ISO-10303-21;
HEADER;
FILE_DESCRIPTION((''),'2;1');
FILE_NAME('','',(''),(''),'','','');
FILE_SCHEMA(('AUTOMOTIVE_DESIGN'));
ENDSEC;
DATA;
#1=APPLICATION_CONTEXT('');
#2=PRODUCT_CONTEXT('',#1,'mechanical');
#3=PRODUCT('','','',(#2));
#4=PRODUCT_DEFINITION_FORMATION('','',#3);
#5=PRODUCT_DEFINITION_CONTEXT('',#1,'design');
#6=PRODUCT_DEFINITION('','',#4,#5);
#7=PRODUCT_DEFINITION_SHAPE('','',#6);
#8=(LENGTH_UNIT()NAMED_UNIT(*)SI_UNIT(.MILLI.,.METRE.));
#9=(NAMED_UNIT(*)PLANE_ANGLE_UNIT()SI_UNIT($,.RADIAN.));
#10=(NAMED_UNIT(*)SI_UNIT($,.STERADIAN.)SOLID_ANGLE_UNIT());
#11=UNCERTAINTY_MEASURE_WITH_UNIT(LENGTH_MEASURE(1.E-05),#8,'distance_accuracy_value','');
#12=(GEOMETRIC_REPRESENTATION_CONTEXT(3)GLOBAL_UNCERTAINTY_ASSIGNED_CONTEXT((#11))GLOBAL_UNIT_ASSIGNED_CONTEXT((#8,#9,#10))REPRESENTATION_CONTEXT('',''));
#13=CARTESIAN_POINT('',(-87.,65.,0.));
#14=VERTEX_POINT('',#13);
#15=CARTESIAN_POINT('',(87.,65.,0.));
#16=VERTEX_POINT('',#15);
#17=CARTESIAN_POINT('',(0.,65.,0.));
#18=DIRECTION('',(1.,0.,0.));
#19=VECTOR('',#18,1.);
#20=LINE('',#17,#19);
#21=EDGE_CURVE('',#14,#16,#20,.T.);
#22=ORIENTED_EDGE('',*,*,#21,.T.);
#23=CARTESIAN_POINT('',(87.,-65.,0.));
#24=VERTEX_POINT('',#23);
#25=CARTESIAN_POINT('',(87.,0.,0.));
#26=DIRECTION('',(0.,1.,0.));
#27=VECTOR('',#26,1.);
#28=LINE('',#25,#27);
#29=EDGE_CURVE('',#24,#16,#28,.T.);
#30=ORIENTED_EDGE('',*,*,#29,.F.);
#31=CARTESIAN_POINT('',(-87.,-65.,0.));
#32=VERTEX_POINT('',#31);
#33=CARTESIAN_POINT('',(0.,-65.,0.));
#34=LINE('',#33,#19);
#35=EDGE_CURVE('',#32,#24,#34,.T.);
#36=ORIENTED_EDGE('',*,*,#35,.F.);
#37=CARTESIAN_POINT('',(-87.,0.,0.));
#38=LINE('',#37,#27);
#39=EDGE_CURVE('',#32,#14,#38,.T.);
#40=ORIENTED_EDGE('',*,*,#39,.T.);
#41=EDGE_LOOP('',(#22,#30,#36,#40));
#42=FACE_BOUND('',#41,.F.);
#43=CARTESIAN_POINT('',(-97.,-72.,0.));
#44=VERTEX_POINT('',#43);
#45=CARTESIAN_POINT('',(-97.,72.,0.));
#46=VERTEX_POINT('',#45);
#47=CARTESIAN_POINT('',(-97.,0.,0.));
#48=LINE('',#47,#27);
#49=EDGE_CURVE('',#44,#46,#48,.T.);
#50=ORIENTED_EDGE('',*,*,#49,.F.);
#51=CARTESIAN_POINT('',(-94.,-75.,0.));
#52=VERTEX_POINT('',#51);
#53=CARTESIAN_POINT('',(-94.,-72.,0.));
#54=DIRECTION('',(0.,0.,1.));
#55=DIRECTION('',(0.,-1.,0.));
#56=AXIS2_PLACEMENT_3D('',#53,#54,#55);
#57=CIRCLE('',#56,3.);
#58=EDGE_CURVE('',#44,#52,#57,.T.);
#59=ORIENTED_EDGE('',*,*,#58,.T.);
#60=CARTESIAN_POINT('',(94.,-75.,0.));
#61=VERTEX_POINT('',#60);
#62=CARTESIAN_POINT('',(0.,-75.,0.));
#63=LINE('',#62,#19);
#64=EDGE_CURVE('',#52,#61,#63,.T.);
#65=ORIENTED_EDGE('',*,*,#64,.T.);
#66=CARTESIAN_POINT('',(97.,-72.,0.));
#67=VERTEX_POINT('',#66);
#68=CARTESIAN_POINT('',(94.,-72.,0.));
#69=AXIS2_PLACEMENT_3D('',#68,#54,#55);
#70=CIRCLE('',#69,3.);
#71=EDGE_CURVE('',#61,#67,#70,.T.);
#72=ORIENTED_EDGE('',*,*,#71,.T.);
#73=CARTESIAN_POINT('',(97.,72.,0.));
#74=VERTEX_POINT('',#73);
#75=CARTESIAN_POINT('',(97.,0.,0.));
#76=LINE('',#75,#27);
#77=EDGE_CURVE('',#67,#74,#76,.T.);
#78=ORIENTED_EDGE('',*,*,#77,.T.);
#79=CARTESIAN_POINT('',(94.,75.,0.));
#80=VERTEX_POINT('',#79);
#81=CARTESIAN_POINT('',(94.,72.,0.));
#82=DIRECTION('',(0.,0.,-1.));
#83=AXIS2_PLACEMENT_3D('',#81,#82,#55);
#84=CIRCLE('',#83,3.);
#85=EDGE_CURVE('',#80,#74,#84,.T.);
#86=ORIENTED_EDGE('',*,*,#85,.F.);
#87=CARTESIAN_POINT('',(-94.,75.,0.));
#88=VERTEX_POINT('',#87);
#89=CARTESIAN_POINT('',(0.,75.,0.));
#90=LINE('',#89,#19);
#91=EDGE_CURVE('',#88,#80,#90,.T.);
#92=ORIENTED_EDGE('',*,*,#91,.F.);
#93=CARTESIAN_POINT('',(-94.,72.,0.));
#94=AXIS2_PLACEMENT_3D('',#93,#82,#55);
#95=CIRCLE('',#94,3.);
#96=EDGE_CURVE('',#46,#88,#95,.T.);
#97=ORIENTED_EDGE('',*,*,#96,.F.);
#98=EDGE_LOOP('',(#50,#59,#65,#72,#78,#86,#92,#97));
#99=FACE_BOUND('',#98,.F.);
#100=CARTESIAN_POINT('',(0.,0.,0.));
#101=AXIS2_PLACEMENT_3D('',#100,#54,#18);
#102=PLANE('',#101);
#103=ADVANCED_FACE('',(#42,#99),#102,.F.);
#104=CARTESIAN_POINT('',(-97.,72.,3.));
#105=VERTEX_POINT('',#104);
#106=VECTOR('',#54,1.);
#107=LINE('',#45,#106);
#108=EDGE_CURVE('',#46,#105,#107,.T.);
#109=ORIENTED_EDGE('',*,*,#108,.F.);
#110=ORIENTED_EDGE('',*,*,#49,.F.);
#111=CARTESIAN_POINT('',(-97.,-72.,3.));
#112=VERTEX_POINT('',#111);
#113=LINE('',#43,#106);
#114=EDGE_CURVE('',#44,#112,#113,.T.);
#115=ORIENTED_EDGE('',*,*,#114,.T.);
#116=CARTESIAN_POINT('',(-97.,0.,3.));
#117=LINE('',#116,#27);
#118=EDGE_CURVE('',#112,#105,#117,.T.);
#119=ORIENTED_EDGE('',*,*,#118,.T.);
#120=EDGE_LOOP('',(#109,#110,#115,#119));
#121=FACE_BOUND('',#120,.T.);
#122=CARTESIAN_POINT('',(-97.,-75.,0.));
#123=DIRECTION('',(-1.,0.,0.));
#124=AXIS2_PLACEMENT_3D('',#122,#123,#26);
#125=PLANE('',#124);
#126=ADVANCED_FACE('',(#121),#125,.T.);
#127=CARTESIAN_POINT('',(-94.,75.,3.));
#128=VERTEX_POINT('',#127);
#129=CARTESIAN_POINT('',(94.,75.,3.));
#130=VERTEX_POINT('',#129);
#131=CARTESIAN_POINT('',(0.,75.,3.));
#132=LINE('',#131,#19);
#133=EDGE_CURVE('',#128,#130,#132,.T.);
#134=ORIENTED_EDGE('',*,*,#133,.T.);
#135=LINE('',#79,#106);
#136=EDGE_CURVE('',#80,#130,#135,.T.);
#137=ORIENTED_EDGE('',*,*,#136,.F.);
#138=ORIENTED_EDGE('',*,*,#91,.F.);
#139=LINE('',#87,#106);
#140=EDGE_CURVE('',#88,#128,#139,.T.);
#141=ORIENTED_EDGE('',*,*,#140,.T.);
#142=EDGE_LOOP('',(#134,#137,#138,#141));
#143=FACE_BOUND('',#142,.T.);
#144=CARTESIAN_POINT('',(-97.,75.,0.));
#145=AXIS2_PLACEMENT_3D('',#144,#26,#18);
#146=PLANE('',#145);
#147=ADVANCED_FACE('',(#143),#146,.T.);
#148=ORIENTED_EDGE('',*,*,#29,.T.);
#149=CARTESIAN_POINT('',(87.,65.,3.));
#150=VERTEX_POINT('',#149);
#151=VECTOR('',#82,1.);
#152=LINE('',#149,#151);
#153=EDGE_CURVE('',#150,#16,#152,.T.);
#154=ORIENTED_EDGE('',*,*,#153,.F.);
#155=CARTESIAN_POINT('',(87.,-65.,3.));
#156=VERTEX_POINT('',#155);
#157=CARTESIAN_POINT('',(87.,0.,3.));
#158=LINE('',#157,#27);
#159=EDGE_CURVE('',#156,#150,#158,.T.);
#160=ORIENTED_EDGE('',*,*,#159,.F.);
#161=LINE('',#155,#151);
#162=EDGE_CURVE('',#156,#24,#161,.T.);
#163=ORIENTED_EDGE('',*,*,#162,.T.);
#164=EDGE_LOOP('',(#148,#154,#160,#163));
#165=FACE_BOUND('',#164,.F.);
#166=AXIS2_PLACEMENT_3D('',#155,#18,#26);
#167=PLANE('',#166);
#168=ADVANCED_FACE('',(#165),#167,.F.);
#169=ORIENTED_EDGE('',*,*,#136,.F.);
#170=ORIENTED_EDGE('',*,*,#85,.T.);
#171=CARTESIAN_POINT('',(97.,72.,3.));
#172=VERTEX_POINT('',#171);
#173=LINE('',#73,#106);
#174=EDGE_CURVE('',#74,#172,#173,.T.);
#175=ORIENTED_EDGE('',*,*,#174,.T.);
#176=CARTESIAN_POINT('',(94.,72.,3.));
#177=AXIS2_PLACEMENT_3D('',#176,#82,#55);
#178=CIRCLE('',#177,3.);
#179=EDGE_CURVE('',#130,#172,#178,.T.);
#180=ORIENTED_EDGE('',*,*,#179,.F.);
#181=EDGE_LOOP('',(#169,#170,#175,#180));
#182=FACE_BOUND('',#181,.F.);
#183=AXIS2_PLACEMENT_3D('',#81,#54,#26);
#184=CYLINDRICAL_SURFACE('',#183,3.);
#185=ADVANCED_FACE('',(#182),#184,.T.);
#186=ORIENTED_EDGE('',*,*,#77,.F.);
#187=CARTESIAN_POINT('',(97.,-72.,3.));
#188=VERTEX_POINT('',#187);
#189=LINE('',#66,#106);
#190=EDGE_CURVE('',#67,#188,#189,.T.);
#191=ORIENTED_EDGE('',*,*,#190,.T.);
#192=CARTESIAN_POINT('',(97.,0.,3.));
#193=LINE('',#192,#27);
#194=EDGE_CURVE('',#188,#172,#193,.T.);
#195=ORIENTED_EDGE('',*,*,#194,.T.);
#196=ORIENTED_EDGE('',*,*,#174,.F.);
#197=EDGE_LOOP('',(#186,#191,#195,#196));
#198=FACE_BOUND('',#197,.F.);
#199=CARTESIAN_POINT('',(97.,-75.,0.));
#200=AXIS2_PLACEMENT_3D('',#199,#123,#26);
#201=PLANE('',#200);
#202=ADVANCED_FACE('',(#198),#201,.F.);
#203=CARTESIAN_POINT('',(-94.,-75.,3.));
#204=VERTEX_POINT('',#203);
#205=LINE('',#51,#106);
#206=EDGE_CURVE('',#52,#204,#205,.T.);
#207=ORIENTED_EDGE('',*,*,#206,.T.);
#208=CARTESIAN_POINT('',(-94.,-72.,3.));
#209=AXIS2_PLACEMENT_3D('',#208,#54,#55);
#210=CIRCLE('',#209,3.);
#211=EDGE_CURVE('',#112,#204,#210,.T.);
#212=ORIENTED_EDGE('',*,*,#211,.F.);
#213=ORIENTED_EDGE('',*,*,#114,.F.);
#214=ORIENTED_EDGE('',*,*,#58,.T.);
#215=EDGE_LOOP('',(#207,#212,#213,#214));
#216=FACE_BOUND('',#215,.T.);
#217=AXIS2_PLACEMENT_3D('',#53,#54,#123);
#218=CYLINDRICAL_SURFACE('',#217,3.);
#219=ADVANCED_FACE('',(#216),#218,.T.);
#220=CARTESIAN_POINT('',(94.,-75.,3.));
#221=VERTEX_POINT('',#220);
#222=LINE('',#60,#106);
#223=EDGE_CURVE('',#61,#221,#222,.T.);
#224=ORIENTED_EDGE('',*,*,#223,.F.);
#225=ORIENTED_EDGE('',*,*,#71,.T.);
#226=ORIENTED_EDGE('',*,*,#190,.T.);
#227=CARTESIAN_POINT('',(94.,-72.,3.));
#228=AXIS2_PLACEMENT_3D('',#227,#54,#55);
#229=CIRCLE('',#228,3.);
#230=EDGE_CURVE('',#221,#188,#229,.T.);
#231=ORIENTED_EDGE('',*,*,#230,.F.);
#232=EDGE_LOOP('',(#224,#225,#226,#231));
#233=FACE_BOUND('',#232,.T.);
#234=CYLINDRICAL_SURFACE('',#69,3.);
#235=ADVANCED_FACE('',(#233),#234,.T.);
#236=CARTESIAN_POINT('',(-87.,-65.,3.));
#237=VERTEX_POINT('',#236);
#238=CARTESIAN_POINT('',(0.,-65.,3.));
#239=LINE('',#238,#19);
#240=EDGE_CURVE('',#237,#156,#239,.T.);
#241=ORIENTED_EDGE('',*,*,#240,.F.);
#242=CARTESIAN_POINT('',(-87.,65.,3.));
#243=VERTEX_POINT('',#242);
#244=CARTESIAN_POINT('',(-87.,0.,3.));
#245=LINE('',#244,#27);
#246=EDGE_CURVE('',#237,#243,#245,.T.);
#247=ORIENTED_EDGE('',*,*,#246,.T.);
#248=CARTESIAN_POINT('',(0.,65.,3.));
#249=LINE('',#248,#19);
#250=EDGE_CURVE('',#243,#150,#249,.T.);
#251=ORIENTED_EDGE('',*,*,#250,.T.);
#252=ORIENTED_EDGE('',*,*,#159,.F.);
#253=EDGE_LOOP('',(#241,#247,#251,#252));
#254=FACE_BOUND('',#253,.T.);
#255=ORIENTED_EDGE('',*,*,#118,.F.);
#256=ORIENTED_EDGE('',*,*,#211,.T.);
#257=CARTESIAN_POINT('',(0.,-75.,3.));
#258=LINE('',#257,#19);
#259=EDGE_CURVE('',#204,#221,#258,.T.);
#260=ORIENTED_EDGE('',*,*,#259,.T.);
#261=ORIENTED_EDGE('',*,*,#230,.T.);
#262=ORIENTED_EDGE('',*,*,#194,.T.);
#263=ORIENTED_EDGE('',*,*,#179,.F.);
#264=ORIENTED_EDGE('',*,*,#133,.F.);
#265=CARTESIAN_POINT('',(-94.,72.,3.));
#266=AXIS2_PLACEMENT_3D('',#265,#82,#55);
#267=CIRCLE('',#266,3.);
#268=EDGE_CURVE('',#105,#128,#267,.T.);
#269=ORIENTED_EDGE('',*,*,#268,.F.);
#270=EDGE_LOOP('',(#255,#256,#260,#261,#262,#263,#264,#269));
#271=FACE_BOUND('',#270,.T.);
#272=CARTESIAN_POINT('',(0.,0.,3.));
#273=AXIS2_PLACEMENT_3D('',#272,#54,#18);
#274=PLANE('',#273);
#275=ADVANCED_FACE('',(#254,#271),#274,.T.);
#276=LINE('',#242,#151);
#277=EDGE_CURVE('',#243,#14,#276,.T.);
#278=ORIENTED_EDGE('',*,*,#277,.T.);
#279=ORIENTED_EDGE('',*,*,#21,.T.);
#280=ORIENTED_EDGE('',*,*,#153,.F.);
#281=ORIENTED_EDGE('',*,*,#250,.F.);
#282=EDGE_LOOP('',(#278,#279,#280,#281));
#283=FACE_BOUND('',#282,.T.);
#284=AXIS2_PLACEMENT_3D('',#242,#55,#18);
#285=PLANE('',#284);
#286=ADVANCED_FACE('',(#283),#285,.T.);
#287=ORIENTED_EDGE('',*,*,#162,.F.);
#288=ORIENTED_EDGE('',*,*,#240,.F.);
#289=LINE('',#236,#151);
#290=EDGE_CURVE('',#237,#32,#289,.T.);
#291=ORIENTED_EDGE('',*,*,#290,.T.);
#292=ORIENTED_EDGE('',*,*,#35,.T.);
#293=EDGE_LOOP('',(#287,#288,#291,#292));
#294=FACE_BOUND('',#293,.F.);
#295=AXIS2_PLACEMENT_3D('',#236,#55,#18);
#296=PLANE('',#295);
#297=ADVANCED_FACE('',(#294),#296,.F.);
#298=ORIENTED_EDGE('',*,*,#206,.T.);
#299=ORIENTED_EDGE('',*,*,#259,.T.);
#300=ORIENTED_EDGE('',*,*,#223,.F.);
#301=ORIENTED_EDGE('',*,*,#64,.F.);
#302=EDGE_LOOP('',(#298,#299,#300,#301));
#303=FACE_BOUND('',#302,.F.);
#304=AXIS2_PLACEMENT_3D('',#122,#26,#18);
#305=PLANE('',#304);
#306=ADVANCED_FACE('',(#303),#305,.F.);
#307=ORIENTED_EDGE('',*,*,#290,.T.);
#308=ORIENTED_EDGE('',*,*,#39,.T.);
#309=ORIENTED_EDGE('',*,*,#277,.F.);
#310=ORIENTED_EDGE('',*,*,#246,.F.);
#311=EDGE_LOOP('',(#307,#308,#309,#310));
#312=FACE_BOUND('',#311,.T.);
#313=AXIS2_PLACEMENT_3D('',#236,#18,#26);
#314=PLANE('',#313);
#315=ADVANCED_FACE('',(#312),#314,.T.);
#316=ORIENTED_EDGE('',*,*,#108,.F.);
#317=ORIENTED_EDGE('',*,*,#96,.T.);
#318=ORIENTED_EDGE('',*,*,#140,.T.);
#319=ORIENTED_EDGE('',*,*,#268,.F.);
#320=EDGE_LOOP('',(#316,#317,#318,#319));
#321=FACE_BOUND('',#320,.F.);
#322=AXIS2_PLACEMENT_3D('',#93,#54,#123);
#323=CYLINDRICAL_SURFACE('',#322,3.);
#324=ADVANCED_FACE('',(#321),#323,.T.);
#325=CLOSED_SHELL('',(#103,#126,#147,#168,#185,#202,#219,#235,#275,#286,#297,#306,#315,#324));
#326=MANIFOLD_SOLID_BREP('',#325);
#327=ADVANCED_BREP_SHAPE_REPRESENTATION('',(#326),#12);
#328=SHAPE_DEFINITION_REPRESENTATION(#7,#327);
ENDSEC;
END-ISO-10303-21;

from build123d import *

# Parameters (mm, degrees)
F0_W     = 194
F0_H     = 150
F1_DEPTH = 3
F2_W     = 174
F2_H     = 130
F3_DEPTH = 3
F4_R     = 3


with BuildPart() as f1:
    # F0 (on Top) → F1 (new body)
    with BuildSketch(Plane.XY):
        Rectangle(F0_W, F0_H)
    extrude(amount=F1_DEPTH)

    # F2 (on face) → F3 (cut, through all)
    with BuildSketch(Plane.XY.offset(3)):
        Rectangle(F2_W, F2_H)
    extrude(amount=-F3_DEPTH, mode=Mode.SUBTRACT)

    # F4
    f4_edges = [f1.edges().sort_by_distance(p)[0] for p in [
        (-97, -75, 1.5),
        (97, -75, 1.5),
        (97, 75, 1.5),
        (-97, 75, 1.5),
    ]]
    fillet(f4_edges, radius=F4_R)


solid = f1.part
